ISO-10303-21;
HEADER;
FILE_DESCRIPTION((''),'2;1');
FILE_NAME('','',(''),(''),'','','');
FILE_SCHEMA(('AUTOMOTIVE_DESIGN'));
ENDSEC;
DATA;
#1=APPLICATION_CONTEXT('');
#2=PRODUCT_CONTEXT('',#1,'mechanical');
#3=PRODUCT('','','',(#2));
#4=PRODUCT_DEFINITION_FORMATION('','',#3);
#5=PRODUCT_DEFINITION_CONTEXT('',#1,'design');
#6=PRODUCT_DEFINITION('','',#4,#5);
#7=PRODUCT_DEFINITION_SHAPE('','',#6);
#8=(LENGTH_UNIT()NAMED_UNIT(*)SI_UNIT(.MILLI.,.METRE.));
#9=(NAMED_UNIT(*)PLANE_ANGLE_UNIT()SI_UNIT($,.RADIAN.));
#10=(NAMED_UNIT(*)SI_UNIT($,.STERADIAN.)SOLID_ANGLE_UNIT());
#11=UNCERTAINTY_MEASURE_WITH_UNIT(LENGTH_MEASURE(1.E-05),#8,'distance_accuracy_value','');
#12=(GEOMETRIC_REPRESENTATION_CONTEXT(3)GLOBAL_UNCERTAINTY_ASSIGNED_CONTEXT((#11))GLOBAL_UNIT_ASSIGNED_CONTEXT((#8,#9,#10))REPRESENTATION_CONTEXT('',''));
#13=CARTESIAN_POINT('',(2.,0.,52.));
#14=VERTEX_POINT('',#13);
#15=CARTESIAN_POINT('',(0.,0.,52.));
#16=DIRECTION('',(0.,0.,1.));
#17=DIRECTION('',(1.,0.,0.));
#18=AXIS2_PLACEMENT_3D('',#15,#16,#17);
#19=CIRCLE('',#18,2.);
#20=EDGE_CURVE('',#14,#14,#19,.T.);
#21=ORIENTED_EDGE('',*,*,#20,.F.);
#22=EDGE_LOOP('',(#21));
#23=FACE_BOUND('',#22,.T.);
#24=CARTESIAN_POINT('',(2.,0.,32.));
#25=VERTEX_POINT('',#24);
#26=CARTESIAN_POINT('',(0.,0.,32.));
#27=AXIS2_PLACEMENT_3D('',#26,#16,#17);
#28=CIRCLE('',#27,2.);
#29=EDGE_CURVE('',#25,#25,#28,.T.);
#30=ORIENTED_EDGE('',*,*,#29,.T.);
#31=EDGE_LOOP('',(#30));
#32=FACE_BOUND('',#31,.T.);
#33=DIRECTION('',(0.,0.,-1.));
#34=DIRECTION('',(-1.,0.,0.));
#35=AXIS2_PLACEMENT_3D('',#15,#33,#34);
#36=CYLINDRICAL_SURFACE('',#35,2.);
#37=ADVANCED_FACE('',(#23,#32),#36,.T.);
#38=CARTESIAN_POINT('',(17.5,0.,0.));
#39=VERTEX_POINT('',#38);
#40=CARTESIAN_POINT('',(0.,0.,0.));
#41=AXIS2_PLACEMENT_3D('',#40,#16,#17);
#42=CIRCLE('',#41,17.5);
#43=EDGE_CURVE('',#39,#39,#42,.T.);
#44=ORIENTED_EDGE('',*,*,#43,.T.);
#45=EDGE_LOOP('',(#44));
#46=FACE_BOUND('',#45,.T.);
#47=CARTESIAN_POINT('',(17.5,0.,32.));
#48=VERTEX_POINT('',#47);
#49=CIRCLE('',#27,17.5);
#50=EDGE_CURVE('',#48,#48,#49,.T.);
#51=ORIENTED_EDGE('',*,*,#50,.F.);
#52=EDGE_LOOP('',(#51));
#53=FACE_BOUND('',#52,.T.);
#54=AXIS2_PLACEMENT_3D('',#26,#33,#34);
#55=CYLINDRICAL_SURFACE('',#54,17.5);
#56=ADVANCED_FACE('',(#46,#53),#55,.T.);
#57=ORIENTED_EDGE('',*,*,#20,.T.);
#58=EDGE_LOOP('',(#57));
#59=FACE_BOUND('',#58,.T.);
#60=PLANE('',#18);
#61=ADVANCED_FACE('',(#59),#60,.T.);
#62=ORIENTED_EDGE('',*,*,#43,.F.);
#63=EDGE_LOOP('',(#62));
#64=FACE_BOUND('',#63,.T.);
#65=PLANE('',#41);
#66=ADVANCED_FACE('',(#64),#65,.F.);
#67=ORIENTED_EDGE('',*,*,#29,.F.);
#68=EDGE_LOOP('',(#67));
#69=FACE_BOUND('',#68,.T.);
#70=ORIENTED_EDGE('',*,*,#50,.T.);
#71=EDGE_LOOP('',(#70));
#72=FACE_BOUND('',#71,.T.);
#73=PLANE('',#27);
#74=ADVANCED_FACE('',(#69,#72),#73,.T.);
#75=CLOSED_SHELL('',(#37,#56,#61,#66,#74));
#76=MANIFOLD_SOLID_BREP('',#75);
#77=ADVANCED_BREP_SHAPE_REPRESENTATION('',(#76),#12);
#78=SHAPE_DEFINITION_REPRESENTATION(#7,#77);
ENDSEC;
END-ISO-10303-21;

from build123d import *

# Parameters (mm, degrees)
ESQUISSE1_R        = 17.5
BOSS_EXTRU_1_DEPTH = 32
ESQUISSE2_R        = 2
BOSS_EXTRU_2_DEPTH = 20


with BuildPart() as part:
    # Esquisse1 → Boss.-Extru.1 (new body)
    with BuildSketch(Plane.XY):
        Circle(ESQUISSE1_R)
    extrude(amount=BOSS_EXTRU_1_DEPTH)

    # Esquisse2 → Boss.-Extru.2 (add)
    with BuildSketch(Plane.XY.offset(32)):
        Circle(ESQUISSE2_R)
    extrude(amount=BOSS_EXTRU_2_DEPTH)


solid = part.part
